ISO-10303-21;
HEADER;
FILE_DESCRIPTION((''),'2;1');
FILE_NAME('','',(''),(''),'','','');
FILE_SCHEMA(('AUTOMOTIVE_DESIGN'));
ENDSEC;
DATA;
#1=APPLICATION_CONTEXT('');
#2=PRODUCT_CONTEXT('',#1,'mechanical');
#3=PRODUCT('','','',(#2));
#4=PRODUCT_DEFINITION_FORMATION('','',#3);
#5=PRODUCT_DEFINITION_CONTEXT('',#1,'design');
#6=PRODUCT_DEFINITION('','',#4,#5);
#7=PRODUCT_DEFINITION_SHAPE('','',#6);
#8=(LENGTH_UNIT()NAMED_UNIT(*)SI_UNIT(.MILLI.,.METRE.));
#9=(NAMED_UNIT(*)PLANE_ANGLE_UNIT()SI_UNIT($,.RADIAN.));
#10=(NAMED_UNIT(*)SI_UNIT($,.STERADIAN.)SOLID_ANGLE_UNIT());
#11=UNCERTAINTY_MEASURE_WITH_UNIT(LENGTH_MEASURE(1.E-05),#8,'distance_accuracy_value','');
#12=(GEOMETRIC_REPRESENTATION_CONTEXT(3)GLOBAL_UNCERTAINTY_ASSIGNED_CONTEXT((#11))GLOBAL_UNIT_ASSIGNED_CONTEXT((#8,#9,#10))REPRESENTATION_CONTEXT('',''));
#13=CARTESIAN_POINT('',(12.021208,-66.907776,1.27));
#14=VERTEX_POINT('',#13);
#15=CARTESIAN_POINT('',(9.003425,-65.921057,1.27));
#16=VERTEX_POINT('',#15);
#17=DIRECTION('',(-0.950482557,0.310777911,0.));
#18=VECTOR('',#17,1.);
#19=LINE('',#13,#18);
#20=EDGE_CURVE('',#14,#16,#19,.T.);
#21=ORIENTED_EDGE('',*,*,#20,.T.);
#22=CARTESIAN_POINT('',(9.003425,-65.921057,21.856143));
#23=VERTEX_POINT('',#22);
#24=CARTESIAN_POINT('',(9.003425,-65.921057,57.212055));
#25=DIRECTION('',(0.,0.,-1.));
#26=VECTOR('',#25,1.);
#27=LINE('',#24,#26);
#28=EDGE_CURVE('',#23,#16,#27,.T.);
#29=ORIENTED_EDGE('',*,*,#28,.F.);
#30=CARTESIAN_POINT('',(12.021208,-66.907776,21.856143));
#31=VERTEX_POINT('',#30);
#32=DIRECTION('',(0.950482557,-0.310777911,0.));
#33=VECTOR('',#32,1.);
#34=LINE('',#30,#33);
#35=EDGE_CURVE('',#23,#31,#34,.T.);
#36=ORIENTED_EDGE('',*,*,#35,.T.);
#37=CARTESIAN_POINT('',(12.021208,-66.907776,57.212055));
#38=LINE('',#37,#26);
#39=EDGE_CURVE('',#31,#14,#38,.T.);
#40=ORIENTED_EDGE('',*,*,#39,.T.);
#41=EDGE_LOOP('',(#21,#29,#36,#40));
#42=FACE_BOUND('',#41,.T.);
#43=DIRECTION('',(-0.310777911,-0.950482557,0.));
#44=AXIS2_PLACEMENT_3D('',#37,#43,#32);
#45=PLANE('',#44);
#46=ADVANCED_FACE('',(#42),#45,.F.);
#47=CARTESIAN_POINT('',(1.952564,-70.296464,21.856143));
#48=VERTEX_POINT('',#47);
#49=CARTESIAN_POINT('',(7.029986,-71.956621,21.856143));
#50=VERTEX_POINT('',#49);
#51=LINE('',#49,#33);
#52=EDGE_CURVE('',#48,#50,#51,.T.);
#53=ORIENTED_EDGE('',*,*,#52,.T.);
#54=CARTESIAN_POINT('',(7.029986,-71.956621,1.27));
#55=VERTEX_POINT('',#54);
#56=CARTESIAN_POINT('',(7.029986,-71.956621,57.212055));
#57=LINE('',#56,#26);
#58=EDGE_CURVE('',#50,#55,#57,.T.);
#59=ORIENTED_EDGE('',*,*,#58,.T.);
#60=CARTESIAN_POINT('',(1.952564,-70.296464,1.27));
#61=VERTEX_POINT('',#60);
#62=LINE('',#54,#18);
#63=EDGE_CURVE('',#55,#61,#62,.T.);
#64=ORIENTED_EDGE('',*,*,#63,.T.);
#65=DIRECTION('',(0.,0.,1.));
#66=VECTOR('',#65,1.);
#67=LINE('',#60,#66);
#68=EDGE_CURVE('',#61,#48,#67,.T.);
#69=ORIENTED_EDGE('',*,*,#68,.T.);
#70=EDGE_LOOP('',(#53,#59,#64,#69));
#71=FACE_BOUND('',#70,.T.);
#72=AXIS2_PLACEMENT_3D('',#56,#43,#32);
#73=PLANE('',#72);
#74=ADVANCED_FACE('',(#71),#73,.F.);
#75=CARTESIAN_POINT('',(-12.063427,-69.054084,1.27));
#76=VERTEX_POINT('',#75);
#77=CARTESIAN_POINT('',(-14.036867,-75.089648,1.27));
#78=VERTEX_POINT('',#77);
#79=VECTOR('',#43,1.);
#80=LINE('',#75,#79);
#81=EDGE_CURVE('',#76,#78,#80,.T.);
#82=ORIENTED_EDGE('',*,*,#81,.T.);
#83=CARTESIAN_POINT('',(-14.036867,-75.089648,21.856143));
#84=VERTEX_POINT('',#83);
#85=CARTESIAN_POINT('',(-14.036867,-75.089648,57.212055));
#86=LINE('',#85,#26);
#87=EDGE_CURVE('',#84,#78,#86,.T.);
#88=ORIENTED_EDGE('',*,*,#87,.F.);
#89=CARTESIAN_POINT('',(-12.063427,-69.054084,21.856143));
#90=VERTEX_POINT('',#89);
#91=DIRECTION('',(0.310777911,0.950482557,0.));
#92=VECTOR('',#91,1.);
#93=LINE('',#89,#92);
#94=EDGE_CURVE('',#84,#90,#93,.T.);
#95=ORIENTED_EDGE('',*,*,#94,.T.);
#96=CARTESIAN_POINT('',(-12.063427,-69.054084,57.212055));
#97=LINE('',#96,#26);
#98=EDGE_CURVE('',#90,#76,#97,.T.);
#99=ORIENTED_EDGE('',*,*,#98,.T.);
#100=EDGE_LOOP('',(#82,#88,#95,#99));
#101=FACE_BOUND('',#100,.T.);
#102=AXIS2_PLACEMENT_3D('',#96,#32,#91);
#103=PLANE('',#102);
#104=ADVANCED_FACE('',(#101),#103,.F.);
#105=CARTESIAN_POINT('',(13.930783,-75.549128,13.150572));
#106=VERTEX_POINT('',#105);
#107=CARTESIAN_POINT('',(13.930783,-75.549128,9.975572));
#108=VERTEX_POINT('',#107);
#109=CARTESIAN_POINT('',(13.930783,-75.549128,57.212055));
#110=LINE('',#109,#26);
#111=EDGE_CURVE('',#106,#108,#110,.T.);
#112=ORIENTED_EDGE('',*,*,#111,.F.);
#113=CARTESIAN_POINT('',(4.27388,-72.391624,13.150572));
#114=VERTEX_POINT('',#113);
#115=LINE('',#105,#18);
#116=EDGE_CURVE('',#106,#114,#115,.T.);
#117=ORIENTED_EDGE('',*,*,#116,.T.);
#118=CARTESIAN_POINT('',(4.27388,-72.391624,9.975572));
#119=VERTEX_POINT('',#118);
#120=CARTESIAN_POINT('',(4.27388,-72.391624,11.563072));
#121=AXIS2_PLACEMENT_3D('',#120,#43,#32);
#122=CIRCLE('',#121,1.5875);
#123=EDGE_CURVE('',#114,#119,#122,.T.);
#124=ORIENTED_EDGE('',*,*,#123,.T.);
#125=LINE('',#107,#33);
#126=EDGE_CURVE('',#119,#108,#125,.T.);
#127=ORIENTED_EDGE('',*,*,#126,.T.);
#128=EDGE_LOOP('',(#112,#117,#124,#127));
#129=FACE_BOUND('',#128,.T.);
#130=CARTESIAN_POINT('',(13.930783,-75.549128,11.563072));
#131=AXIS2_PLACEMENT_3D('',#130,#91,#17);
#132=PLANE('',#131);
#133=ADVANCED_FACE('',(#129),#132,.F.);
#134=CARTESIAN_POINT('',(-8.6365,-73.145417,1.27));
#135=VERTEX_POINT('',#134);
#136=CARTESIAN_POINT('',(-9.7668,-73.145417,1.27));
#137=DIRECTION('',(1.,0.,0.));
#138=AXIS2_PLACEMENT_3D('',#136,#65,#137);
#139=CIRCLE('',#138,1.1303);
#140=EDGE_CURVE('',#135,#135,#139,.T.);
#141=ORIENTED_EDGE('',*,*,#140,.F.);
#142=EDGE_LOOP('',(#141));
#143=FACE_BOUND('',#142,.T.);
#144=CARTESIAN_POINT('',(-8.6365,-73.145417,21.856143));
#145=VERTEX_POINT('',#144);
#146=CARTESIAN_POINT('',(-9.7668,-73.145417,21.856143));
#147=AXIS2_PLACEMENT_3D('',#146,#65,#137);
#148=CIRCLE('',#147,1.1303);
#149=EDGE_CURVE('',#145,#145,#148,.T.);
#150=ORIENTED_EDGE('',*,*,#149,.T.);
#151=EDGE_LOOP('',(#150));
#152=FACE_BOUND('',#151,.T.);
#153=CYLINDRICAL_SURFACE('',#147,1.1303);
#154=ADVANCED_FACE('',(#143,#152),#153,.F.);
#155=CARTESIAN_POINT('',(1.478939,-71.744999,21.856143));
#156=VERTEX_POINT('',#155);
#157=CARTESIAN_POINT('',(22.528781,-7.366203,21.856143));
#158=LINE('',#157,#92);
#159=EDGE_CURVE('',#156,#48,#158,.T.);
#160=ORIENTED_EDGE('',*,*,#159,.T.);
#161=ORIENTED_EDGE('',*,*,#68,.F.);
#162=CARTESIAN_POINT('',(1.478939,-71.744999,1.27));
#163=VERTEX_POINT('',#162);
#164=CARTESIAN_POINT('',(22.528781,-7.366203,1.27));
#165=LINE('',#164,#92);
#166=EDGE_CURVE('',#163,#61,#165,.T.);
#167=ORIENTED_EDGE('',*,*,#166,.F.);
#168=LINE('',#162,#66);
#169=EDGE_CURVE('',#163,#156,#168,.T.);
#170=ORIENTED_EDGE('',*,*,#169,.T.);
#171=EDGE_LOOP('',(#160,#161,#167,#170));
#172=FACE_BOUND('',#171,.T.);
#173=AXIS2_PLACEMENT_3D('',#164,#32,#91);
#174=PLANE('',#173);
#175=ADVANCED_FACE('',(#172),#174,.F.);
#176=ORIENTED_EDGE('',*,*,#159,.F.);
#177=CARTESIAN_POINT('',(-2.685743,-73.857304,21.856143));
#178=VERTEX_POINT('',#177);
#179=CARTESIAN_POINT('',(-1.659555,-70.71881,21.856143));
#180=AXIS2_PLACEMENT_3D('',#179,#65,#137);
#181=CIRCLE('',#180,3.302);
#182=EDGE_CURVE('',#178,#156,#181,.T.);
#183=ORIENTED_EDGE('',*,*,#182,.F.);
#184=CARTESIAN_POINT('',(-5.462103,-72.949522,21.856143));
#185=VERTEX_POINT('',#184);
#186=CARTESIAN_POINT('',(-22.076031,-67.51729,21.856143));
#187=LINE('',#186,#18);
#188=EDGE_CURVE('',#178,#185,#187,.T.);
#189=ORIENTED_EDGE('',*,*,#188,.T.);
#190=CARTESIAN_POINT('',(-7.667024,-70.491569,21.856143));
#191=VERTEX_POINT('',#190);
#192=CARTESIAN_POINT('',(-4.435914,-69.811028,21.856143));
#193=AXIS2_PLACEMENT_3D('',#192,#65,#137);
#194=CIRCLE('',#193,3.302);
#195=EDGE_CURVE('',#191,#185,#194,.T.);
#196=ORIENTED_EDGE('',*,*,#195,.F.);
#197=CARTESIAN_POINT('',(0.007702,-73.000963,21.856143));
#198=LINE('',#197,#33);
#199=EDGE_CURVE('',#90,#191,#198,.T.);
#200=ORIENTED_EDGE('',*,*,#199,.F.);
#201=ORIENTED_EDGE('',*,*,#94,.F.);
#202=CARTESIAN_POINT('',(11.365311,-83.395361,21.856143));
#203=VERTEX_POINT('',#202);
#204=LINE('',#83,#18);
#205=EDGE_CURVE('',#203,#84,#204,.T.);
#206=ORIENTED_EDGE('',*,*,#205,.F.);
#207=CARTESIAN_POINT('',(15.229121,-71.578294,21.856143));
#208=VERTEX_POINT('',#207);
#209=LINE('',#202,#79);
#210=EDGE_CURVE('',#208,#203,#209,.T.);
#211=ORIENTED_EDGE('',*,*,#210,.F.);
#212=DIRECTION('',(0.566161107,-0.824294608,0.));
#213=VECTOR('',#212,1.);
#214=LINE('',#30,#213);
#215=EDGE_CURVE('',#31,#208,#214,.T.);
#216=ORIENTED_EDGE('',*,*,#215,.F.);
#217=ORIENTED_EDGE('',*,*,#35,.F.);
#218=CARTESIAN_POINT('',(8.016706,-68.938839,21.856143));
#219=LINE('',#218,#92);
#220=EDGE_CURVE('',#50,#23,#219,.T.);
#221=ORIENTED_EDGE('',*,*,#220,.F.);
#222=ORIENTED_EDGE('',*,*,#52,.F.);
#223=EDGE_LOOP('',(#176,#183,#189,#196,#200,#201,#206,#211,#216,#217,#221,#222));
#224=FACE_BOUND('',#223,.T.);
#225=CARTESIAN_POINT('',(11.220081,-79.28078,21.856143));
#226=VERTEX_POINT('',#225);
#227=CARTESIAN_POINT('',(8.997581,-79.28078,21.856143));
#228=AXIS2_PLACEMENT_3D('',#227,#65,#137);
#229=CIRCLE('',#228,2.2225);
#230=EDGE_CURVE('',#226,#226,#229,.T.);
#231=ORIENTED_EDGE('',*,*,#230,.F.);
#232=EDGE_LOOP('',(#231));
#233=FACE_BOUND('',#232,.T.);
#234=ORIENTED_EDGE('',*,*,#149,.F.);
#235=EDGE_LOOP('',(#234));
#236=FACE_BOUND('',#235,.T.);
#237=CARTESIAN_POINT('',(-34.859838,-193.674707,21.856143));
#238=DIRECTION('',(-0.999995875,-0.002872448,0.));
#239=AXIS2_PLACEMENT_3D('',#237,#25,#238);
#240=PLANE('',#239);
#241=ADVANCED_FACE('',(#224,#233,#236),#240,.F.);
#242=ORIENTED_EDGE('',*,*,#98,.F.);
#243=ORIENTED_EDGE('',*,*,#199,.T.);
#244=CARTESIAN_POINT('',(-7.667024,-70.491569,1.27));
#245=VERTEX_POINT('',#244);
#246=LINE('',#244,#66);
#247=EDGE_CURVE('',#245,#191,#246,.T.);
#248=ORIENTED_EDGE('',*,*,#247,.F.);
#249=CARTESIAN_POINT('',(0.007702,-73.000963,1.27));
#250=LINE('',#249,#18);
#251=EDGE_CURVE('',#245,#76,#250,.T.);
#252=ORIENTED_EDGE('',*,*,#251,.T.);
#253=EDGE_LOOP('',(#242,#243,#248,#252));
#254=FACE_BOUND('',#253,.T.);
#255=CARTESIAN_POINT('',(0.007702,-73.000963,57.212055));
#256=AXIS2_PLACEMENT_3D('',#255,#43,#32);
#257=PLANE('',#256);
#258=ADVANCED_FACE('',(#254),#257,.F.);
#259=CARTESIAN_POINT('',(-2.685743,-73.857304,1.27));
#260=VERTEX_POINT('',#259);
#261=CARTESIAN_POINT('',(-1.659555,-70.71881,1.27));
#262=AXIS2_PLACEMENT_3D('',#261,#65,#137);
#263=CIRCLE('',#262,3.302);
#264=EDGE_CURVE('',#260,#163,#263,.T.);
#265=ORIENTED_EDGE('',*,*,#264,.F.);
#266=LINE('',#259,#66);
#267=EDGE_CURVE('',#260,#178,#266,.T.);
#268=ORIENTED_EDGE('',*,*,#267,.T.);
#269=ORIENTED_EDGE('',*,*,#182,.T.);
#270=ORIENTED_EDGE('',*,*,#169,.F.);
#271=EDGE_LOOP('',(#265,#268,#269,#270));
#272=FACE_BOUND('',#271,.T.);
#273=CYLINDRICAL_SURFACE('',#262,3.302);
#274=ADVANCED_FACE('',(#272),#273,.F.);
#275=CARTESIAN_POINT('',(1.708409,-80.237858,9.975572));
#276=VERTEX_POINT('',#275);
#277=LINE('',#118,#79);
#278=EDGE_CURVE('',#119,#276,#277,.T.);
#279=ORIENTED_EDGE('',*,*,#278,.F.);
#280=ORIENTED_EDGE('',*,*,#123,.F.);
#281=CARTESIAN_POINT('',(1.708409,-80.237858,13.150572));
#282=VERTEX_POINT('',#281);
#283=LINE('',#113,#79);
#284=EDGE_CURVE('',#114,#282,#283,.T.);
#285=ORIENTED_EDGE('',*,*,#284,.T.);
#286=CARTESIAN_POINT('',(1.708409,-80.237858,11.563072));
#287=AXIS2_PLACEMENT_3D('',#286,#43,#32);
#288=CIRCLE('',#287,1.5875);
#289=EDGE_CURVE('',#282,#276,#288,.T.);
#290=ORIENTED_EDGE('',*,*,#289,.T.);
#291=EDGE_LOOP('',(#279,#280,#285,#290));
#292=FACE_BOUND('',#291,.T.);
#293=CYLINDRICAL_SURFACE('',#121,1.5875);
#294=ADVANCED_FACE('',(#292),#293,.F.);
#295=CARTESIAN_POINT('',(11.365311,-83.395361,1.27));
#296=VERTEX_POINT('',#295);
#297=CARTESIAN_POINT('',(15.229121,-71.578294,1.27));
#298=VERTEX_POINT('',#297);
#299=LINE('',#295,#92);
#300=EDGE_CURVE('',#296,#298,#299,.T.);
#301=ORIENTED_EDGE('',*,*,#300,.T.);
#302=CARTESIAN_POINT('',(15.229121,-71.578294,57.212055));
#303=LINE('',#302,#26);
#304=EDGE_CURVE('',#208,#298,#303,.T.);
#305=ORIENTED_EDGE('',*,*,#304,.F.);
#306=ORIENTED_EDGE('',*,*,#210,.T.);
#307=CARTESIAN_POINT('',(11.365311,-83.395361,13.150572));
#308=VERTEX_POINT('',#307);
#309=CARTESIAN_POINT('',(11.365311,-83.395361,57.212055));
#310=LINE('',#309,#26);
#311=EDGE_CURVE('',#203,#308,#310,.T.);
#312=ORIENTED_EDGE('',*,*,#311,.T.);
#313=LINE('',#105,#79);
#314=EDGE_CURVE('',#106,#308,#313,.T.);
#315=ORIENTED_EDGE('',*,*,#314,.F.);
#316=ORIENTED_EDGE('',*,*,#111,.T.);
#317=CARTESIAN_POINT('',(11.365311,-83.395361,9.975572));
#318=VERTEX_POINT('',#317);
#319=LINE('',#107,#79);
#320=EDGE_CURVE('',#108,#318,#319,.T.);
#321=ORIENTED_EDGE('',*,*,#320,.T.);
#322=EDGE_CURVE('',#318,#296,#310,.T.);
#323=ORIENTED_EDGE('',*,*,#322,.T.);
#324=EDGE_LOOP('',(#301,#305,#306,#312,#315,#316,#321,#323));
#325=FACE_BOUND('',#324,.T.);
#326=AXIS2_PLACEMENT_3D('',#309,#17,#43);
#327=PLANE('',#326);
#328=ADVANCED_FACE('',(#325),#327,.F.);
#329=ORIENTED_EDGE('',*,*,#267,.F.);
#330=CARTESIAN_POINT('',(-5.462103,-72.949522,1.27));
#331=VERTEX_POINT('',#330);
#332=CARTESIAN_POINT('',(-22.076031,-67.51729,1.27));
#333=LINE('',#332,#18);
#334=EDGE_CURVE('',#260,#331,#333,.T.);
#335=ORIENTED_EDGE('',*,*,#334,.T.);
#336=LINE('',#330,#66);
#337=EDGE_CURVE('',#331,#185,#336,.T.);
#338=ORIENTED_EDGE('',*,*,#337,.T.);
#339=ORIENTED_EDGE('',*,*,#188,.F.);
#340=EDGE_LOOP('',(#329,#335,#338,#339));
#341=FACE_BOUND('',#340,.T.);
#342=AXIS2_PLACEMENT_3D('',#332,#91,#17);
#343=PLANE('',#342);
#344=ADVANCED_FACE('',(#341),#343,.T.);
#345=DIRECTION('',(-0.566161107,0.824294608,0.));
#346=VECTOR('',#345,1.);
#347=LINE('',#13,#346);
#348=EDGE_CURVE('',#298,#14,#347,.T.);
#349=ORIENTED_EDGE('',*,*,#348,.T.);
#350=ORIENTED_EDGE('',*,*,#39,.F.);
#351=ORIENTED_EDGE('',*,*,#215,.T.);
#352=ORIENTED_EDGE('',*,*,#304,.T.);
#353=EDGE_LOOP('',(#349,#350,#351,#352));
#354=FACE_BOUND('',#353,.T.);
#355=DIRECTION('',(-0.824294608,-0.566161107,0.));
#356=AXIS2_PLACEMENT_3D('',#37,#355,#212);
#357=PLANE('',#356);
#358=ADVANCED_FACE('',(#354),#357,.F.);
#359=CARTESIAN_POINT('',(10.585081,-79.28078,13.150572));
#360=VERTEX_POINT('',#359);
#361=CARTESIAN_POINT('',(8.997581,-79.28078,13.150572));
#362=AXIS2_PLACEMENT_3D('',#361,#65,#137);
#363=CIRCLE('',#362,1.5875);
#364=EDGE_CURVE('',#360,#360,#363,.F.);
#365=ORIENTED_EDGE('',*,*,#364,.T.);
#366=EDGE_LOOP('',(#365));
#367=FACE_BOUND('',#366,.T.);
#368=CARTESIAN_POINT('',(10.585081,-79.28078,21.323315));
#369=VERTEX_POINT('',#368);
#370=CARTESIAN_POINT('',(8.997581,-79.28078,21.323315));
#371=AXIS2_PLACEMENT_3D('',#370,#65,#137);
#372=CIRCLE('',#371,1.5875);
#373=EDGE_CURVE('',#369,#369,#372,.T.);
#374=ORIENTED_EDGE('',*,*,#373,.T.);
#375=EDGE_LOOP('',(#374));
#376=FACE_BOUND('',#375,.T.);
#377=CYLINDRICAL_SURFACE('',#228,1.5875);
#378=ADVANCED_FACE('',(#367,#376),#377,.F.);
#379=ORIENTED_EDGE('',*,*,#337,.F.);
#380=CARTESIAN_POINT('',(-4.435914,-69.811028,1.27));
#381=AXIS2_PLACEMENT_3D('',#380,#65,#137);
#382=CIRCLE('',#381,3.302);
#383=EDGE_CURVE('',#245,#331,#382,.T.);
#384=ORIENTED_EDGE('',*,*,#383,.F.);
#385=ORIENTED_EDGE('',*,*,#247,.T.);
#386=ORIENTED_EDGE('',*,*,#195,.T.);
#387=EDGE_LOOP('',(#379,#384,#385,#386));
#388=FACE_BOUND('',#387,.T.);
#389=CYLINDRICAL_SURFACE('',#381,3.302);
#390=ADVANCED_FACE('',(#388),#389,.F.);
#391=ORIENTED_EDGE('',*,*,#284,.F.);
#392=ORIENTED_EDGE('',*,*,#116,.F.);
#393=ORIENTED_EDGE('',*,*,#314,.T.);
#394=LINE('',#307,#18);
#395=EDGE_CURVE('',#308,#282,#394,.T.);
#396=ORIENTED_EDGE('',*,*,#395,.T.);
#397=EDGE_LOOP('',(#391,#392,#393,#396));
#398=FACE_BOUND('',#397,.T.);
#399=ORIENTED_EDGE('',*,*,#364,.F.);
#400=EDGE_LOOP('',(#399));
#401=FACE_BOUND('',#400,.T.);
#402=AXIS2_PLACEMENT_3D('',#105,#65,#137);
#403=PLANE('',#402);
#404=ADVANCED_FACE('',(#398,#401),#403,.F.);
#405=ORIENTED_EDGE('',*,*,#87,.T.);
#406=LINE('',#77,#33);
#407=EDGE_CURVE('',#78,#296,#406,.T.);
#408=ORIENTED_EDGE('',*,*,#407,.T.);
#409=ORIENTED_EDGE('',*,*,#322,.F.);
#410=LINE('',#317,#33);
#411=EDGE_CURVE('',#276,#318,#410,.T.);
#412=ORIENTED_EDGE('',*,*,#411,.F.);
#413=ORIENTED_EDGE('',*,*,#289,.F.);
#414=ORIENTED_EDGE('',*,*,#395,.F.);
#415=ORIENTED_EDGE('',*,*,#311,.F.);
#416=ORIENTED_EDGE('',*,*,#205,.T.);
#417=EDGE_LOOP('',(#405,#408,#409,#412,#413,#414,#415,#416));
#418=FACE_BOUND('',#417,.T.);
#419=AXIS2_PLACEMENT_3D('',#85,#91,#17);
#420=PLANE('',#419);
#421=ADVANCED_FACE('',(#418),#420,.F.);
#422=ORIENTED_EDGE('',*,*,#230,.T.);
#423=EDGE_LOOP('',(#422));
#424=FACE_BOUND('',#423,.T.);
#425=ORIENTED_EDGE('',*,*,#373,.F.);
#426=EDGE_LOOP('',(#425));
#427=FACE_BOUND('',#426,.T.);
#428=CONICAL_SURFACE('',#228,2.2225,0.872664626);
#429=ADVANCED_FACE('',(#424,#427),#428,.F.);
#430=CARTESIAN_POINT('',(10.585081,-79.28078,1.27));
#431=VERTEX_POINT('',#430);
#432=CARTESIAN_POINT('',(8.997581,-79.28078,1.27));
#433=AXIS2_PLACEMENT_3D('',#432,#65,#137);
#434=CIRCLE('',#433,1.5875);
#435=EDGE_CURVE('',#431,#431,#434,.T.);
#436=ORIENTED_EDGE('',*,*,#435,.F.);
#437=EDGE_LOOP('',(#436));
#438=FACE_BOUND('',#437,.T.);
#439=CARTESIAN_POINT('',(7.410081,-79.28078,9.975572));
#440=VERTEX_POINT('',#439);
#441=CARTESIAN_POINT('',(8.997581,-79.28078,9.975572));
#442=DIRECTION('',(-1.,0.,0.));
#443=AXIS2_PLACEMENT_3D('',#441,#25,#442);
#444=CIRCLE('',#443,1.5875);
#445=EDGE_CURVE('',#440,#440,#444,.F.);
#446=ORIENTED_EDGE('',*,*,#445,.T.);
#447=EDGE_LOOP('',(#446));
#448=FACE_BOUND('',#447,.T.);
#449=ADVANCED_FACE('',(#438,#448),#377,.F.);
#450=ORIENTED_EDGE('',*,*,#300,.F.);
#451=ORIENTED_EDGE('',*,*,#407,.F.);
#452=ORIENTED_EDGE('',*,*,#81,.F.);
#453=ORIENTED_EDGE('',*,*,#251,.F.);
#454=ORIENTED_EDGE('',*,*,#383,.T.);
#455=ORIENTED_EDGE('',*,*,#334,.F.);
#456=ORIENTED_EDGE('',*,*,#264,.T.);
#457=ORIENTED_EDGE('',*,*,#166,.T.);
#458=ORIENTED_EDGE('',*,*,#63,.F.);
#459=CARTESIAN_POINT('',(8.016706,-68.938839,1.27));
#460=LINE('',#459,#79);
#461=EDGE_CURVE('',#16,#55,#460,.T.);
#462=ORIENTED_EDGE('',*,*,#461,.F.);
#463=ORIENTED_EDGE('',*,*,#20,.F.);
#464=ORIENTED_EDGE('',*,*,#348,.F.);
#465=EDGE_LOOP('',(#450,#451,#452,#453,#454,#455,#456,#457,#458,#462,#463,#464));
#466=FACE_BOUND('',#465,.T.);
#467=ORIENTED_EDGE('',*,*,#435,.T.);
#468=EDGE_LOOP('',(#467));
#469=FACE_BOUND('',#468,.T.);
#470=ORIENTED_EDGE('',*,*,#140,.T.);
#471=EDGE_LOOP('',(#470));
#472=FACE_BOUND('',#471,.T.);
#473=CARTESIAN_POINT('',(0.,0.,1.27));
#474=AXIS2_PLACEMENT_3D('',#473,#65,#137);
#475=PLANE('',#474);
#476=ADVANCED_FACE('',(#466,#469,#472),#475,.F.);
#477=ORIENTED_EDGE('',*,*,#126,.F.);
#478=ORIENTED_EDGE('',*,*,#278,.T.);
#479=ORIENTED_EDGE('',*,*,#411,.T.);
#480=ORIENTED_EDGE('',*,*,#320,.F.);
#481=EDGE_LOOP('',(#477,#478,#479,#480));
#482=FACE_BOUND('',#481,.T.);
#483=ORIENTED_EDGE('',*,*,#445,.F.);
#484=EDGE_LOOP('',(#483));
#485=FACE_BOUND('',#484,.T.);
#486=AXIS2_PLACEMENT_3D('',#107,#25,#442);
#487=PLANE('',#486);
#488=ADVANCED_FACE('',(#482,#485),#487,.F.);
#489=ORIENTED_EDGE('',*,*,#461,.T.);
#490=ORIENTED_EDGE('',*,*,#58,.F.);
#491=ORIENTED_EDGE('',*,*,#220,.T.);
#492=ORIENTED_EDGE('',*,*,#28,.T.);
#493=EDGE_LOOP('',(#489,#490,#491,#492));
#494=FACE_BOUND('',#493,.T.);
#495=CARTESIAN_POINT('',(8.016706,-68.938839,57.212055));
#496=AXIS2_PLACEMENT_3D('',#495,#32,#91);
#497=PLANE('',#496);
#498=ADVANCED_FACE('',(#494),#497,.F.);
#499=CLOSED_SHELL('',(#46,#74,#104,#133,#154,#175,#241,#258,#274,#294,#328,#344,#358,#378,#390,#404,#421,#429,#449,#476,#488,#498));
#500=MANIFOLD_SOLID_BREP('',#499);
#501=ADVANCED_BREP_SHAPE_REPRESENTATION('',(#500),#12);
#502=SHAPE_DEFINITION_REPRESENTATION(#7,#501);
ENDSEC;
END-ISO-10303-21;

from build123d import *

# Parameters (mm, degrees)
BOSS_EXTRUDE1_START                    = 1.27
BOSS_EXTRUDE1_DEPTH                    = 20.586143
F_4_40_TAPPED_HOLE1_D                  = 2.2606
F_1_8_0_125_DIAMETER_HOLE1_D           = 3.175
F_1_8_0_125_DIAMETER_HOLE1_CSINK_D     = 4.445
F_1_8_0_125_DIAMETER_HOLE1_CSINK_ANGLE = 100
CUT_EXTRUDE1_DEPTH                     = 8.255
CUT_EXTRUDE2_DEPTH                     = 21.586143296


with BuildPart() as part:
    # Sketch1 → Boss-Extrude1 (new body)
    with BuildSketch(Plane.XY.offset(BOSS_EXTRUDE1_START)):
        Polygon((8.016705611, -68.938838733), (7.029985744, -71.956620849), (0.99442151, -69.983181117), (0.007701644, -73.000963234), (-12.063426824, -69.054083768), (-14.036866557, -75.089648002), (11.365311403, -83.395361493), (15.229120806, -71.578294343), (12.021207594, -66.907776482), (9.003425477, -65.921056616), align=None)
    extrude(amount=BOSS_EXTRUDE1_DEPTH)

    # #4-40 Tapped Hole1 (through all)
    with Locations(Plane.XY.offset(21.856143296)):
        with Locations((-9.766799747, -73.145417099)):
            Hole(F_4_40_TAPPED_HOLE1_D / 2)

    # 1/8 (0.125) Diameter Hole1 (through all)
    with Locations(Plane.XY.offset(21.856143296)):
        with Locations((8.997580837, -79.280779556)):
            CounterSinkHole(F_1_8_0_125_DIAMETER_HOLE1_D / 2, F_1_8_0_125_DIAMETER_HOLE1_CSINK_D / 2, counter_sink_angle=F_1_8_0_125_DIAMETER_HOLE1_CSINK_ANGLE)

    # Sketch6 → Cut-Extrude1 (cut)
    with BuildSketch(Plane(origin=(-23.536376178, -71.983607041, 0), x_dir=(0.950482557, -0.310777911, 0), z_dir=(-0.310777911, -0.950482557, 0))):
        with BuildLine():
            Line((36.719966444, 13.150571648), (26.559966444, 13.150571648))
            ThreePointArc((26.559966444, 13.150571648), (24.972466444, 11.563071648), (26.559966444, 9.975571648))
            Line((26.559966444, 9.975571648), (36.719966444, 9.975571648))
            ThreePointArc((36.719966444, 9.975571648), (38.307466444, 11.563071648), (36.719966444, 13.150571648))
        make_face()
    extrude(amount=-CUT_EXTRUDE1_DEPTH, mode=Mode.SUBTRACT)

    # Sketch8 → Cut-Extrude2 (cut, through all)
    with BuildSketch(Plane.XY.offset(21.856143296)):
        with BuildLine():
            Line((-5.462102823, -72.94952157), (-2.685743275, -73.857303847))
            ThreePointArc((-2.685743275, -73.857303847), (-0.165929608, -73.663685373), (1.478938787, -71.744999106))
            ThreePointArc((1.478938787, -71.744999106), (1.632876898, -70.97000506), (1.598291814, -70.180627719))
            Line((1.598291814, -70.180627719), (0.99442151, -69.983181117))
            Line((0.99442151, -69.983181117), (0.007701644, -73.000963234))
            Line((0.007701644, -73.000963234), (-7.667023508, -70.491569419))
            ThreePointArc((-7.667023508, -70.491569419), (-6.893866312, -72.015948853), (-5.462102823, -72.94952157))
        make_face()
        with BuildLine():
            ThreePointArc((1.598291814, -70.180627719), (1.632876898, -70.97000506), (1.478938787, -71.744999106))
            Line((1.478938787, -71.744999106), (1.952564323, -70.29646369))
            Line((1.952564323, -70.29646369), (1.598291814, -70.180627719))
        make_face()
    extrude(amount=-CUT_EXTRUDE2_DEPTH, mode=Mode.SUBTRACT)


solid = part.part
